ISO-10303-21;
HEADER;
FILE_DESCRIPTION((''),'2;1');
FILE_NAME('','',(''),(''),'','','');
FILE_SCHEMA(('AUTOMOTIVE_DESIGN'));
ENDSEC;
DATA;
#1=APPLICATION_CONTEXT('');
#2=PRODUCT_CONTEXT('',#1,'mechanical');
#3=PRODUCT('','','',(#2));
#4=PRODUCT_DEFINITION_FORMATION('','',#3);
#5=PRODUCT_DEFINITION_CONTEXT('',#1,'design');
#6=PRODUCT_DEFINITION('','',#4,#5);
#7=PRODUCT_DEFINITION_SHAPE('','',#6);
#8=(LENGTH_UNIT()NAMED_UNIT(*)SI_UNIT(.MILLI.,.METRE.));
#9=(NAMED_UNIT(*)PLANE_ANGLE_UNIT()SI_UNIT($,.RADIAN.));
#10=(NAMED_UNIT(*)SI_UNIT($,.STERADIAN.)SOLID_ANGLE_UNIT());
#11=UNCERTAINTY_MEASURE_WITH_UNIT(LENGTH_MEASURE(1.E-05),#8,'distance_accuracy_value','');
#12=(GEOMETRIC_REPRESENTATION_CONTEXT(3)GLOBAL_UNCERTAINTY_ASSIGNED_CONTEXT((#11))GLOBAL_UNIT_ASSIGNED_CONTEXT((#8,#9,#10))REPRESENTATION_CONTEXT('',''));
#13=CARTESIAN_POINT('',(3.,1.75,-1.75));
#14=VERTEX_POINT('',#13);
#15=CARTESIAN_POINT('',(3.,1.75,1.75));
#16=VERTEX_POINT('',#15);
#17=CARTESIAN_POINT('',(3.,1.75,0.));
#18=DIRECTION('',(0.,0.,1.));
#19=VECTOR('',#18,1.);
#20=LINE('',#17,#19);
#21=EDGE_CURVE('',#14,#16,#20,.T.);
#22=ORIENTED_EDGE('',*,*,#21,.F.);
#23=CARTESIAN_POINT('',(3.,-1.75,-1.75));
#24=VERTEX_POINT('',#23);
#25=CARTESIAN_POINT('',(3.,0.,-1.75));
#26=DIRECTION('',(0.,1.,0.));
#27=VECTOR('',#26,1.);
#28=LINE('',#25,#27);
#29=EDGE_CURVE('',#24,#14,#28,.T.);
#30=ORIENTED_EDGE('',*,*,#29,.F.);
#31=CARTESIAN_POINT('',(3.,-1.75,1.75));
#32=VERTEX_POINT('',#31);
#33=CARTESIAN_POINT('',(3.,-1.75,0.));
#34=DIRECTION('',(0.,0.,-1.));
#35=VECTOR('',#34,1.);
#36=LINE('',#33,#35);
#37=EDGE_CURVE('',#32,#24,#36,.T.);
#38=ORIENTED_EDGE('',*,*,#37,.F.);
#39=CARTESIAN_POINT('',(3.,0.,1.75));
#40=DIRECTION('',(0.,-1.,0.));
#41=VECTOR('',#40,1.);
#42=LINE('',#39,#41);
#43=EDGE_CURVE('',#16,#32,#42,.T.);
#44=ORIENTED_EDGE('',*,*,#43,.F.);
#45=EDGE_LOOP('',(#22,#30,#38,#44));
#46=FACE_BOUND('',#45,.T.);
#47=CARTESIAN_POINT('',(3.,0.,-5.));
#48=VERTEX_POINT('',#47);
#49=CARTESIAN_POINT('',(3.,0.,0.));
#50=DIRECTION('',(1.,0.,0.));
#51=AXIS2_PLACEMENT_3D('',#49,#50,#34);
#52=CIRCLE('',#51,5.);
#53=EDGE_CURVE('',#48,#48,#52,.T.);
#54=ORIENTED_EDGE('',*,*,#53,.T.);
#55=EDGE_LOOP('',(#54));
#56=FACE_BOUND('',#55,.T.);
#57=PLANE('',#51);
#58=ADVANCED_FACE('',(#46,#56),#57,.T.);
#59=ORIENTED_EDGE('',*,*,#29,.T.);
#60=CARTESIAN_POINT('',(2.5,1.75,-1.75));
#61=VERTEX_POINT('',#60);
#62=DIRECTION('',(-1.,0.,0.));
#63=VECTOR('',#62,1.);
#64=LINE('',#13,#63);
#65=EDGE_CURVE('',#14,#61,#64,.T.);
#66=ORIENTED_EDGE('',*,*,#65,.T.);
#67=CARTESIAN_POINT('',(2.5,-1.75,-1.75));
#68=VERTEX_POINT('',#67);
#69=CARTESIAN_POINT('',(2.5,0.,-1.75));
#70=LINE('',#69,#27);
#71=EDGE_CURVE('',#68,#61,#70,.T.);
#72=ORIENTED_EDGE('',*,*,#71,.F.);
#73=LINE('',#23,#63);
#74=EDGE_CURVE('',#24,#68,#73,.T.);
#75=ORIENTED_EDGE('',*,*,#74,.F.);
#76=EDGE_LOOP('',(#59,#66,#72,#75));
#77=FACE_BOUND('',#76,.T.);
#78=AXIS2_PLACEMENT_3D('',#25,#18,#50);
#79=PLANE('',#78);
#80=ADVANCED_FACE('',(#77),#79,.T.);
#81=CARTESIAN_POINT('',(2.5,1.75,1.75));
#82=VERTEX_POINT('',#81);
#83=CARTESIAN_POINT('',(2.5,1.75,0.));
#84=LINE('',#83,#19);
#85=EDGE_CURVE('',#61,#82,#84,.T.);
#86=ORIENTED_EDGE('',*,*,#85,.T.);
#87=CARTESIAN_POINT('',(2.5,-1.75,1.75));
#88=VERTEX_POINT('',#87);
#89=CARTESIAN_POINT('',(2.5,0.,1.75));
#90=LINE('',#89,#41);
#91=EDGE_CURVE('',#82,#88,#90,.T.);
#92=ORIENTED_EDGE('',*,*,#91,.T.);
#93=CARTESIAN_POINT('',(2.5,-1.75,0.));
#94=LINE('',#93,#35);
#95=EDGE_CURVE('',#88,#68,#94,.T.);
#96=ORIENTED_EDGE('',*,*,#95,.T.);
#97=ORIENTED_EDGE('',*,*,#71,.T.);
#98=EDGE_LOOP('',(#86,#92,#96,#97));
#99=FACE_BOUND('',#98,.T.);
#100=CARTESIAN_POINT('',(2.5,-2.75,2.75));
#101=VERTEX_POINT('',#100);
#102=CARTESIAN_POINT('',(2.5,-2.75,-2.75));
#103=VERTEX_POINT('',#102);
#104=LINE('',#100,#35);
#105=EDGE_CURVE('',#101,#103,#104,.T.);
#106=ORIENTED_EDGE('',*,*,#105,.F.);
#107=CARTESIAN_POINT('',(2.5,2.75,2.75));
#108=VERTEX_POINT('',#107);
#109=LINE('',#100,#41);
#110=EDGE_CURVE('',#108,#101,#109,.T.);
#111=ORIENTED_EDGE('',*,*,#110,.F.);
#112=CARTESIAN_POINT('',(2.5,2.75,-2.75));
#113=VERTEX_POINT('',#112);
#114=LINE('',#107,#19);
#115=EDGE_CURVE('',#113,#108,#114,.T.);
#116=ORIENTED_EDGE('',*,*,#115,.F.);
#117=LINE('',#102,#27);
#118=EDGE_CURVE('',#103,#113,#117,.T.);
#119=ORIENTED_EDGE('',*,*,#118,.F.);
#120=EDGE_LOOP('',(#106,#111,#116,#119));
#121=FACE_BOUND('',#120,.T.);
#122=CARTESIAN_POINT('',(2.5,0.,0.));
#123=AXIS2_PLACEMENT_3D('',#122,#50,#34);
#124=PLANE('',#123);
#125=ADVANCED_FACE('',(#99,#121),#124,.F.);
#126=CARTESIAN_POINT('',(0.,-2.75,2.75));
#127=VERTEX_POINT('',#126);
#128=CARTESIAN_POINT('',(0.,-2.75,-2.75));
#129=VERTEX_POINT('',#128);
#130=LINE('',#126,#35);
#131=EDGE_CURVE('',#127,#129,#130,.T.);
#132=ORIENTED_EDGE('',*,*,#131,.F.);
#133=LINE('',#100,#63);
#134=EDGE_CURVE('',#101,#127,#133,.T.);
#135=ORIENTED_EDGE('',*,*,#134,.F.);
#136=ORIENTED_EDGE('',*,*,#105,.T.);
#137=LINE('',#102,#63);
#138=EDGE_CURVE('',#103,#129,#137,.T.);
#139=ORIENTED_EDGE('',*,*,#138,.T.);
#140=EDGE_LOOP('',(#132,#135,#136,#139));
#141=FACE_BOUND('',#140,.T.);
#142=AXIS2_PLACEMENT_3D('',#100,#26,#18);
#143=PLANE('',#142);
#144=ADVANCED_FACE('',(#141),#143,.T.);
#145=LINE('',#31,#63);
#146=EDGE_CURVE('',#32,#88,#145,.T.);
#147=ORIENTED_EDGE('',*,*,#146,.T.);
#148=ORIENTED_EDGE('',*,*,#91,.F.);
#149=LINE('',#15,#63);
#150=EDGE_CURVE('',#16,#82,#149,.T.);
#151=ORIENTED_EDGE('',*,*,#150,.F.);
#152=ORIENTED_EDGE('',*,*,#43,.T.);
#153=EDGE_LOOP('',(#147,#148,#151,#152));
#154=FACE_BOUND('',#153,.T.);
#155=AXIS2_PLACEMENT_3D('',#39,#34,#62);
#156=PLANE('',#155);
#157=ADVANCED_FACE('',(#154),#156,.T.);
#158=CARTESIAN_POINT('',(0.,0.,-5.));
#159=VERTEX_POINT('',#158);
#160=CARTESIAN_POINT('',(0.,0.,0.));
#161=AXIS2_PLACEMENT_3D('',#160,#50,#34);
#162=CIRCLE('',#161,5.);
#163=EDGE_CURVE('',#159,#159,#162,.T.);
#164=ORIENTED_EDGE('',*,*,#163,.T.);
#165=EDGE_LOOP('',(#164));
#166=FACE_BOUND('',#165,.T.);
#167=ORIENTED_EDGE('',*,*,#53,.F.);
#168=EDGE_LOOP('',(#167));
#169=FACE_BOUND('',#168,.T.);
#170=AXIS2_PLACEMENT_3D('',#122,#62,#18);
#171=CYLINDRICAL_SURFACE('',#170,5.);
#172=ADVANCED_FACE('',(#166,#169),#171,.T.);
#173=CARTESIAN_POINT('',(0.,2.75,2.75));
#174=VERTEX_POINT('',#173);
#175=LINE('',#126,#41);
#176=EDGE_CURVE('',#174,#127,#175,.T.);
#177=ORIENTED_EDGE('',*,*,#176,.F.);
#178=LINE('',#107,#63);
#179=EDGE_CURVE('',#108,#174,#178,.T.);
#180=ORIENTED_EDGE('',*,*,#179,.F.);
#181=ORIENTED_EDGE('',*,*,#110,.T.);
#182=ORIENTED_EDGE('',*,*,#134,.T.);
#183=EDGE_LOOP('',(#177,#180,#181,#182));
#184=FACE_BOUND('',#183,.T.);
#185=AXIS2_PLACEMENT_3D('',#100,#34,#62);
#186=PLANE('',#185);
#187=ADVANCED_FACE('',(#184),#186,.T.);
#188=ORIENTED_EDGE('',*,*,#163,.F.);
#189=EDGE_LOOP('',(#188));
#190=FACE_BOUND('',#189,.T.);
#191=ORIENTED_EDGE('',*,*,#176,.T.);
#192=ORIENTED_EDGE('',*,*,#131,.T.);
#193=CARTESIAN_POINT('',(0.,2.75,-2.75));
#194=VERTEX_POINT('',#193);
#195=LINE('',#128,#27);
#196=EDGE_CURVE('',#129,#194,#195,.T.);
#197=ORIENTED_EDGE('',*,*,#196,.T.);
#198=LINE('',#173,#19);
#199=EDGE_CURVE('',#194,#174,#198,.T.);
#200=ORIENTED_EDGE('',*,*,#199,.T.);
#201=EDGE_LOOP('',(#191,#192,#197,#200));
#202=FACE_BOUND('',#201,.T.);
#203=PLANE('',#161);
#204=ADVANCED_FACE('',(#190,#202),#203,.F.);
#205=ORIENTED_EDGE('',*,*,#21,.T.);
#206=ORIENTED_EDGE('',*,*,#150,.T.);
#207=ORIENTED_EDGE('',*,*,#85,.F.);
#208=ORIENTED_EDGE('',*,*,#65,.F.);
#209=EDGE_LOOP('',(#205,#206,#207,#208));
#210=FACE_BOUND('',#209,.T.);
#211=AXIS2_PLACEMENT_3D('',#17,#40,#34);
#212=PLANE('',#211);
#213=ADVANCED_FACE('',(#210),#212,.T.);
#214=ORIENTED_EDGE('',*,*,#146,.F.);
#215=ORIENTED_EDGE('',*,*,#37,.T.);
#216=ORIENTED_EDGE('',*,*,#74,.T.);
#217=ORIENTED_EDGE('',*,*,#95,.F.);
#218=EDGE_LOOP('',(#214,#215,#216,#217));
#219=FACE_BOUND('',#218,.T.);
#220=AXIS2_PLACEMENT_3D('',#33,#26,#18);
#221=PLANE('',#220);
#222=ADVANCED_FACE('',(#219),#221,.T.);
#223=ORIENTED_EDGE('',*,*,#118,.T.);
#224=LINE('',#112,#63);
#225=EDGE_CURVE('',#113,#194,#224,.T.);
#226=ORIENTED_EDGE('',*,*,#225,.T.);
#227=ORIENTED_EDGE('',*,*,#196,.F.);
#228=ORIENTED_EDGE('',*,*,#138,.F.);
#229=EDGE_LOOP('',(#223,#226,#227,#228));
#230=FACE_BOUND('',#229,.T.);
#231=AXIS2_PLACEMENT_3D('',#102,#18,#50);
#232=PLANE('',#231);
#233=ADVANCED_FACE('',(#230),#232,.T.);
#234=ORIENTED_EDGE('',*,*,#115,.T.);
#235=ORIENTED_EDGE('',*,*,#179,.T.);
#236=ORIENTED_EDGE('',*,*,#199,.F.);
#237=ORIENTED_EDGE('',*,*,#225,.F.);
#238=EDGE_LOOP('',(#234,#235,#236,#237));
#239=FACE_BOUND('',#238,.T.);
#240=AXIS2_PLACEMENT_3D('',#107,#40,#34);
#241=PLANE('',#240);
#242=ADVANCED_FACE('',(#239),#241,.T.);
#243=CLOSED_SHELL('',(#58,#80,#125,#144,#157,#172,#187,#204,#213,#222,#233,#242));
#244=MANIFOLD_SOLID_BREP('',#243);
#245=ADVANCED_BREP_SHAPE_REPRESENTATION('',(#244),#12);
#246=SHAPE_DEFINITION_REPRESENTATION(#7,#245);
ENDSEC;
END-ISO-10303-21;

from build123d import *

# Parameters (mm, degrees)
SKETCH_1_R      = 5
SKETCH_1_W      = 5.5
SKETCH_1_H      = 5.5
EXTRUDE_1_DEPTH = 2.5
SKETCH_3_R      = 5
SKETCH_3_W      = 3.5
SKETCH_3_H      = 3.5
EXTRUDE_3_DEPTH = 0.5


with BuildPart() as part:
    # 草图1 → 凸台-拉伸1 (new body)
    with BuildSketch(Plane(origin=(0, 0, 0), x_dir=(0, 0, -1), z_dir=(1, 0, 0))):
        Circle(SKETCH_1_R)
        Rectangle(SKETCH_1_W, SKETCH_1_H, mode=Mode.SUBTRACT)
    extrude(amount=EXTRUDE_1_DEPTH)

    # 草图3 → 凸台-拉伸3 (add)
    with BuildSketch(Plane(origin=(2.5, 0, 0), x_dir=(0, 0, -1), z_dir=(1, 0, 0))):
        Circle(SKETCH_3_R)
        Rectangle(SKETCH_3_W, SKETCH_3_H, mode=Mode.SUBTRACT)
    extrude(amount=EXTRUDE_3_DEPTH)


solid = part.part
